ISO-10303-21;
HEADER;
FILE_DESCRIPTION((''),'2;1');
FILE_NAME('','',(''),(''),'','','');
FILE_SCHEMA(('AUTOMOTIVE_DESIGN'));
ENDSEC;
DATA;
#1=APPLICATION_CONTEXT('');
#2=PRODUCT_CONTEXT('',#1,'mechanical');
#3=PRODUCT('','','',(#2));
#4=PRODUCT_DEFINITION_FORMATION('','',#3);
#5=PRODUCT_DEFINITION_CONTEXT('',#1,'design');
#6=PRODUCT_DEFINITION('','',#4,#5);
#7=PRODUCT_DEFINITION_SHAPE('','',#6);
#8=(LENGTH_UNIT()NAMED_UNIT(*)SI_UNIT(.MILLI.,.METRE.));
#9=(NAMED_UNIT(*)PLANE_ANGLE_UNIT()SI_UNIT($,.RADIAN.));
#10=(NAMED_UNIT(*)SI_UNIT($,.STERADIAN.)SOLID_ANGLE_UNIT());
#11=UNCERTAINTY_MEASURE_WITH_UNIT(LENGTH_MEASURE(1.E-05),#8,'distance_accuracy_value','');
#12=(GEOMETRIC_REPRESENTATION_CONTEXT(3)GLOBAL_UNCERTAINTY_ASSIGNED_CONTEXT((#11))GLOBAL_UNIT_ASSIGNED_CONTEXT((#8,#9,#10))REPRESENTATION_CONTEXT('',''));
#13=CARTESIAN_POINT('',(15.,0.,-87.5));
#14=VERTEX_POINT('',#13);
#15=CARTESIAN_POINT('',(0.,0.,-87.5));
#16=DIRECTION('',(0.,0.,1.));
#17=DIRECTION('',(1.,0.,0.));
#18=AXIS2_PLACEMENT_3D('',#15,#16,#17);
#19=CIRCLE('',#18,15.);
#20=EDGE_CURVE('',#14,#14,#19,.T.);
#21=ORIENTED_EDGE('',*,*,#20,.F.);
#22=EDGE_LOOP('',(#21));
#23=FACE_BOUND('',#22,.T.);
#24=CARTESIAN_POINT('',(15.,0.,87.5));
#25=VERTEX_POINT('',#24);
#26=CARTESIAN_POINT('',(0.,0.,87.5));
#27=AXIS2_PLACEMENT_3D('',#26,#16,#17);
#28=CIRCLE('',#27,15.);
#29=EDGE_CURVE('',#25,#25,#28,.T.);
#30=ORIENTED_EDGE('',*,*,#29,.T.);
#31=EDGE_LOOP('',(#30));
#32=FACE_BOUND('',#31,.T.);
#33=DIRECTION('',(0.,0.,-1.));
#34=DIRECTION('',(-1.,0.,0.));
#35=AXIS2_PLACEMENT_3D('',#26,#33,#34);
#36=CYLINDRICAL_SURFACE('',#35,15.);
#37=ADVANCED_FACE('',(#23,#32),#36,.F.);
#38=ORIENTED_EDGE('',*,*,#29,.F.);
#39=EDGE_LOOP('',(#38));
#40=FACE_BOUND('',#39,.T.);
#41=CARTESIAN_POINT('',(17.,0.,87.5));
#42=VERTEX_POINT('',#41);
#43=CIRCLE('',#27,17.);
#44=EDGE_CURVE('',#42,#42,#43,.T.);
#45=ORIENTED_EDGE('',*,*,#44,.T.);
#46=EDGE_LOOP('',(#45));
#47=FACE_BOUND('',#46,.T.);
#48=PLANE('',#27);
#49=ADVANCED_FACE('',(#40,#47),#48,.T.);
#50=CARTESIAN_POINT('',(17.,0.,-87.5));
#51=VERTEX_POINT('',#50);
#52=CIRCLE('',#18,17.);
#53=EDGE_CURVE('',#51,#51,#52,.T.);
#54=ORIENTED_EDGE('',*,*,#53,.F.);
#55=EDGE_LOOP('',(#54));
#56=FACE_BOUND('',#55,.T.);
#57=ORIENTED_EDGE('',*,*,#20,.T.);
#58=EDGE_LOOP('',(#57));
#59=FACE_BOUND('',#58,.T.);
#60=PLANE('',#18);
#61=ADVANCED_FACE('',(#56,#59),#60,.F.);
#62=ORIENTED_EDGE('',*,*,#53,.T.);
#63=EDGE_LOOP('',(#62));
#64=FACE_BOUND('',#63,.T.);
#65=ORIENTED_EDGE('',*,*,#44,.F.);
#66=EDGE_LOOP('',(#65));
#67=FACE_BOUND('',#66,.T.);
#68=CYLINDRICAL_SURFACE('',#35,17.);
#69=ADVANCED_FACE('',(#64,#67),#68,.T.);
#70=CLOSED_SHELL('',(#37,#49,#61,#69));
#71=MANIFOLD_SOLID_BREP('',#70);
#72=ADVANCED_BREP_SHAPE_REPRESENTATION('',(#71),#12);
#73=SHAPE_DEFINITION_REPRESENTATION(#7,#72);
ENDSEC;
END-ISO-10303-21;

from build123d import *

# Parameters (mm, degrees)
SKETCH1_R           = 17
SKETCH1_R_2         = 15
BOSS_EXTRUDE1_DEPTH = 87.5


with BuildPart() as part:
    # Sketch1 → Boss-Extrude1 (new, symmetric)
    with BuildSketch(Plane.XY):
        Circle(SKETCH1_R)
        Circle(SKETCH1_R_2, mode=Mode.SUBTRACT)
    extrude(amount=BOSS_EXTRUDE1_DEPTH, both=True)


solid = part.part
